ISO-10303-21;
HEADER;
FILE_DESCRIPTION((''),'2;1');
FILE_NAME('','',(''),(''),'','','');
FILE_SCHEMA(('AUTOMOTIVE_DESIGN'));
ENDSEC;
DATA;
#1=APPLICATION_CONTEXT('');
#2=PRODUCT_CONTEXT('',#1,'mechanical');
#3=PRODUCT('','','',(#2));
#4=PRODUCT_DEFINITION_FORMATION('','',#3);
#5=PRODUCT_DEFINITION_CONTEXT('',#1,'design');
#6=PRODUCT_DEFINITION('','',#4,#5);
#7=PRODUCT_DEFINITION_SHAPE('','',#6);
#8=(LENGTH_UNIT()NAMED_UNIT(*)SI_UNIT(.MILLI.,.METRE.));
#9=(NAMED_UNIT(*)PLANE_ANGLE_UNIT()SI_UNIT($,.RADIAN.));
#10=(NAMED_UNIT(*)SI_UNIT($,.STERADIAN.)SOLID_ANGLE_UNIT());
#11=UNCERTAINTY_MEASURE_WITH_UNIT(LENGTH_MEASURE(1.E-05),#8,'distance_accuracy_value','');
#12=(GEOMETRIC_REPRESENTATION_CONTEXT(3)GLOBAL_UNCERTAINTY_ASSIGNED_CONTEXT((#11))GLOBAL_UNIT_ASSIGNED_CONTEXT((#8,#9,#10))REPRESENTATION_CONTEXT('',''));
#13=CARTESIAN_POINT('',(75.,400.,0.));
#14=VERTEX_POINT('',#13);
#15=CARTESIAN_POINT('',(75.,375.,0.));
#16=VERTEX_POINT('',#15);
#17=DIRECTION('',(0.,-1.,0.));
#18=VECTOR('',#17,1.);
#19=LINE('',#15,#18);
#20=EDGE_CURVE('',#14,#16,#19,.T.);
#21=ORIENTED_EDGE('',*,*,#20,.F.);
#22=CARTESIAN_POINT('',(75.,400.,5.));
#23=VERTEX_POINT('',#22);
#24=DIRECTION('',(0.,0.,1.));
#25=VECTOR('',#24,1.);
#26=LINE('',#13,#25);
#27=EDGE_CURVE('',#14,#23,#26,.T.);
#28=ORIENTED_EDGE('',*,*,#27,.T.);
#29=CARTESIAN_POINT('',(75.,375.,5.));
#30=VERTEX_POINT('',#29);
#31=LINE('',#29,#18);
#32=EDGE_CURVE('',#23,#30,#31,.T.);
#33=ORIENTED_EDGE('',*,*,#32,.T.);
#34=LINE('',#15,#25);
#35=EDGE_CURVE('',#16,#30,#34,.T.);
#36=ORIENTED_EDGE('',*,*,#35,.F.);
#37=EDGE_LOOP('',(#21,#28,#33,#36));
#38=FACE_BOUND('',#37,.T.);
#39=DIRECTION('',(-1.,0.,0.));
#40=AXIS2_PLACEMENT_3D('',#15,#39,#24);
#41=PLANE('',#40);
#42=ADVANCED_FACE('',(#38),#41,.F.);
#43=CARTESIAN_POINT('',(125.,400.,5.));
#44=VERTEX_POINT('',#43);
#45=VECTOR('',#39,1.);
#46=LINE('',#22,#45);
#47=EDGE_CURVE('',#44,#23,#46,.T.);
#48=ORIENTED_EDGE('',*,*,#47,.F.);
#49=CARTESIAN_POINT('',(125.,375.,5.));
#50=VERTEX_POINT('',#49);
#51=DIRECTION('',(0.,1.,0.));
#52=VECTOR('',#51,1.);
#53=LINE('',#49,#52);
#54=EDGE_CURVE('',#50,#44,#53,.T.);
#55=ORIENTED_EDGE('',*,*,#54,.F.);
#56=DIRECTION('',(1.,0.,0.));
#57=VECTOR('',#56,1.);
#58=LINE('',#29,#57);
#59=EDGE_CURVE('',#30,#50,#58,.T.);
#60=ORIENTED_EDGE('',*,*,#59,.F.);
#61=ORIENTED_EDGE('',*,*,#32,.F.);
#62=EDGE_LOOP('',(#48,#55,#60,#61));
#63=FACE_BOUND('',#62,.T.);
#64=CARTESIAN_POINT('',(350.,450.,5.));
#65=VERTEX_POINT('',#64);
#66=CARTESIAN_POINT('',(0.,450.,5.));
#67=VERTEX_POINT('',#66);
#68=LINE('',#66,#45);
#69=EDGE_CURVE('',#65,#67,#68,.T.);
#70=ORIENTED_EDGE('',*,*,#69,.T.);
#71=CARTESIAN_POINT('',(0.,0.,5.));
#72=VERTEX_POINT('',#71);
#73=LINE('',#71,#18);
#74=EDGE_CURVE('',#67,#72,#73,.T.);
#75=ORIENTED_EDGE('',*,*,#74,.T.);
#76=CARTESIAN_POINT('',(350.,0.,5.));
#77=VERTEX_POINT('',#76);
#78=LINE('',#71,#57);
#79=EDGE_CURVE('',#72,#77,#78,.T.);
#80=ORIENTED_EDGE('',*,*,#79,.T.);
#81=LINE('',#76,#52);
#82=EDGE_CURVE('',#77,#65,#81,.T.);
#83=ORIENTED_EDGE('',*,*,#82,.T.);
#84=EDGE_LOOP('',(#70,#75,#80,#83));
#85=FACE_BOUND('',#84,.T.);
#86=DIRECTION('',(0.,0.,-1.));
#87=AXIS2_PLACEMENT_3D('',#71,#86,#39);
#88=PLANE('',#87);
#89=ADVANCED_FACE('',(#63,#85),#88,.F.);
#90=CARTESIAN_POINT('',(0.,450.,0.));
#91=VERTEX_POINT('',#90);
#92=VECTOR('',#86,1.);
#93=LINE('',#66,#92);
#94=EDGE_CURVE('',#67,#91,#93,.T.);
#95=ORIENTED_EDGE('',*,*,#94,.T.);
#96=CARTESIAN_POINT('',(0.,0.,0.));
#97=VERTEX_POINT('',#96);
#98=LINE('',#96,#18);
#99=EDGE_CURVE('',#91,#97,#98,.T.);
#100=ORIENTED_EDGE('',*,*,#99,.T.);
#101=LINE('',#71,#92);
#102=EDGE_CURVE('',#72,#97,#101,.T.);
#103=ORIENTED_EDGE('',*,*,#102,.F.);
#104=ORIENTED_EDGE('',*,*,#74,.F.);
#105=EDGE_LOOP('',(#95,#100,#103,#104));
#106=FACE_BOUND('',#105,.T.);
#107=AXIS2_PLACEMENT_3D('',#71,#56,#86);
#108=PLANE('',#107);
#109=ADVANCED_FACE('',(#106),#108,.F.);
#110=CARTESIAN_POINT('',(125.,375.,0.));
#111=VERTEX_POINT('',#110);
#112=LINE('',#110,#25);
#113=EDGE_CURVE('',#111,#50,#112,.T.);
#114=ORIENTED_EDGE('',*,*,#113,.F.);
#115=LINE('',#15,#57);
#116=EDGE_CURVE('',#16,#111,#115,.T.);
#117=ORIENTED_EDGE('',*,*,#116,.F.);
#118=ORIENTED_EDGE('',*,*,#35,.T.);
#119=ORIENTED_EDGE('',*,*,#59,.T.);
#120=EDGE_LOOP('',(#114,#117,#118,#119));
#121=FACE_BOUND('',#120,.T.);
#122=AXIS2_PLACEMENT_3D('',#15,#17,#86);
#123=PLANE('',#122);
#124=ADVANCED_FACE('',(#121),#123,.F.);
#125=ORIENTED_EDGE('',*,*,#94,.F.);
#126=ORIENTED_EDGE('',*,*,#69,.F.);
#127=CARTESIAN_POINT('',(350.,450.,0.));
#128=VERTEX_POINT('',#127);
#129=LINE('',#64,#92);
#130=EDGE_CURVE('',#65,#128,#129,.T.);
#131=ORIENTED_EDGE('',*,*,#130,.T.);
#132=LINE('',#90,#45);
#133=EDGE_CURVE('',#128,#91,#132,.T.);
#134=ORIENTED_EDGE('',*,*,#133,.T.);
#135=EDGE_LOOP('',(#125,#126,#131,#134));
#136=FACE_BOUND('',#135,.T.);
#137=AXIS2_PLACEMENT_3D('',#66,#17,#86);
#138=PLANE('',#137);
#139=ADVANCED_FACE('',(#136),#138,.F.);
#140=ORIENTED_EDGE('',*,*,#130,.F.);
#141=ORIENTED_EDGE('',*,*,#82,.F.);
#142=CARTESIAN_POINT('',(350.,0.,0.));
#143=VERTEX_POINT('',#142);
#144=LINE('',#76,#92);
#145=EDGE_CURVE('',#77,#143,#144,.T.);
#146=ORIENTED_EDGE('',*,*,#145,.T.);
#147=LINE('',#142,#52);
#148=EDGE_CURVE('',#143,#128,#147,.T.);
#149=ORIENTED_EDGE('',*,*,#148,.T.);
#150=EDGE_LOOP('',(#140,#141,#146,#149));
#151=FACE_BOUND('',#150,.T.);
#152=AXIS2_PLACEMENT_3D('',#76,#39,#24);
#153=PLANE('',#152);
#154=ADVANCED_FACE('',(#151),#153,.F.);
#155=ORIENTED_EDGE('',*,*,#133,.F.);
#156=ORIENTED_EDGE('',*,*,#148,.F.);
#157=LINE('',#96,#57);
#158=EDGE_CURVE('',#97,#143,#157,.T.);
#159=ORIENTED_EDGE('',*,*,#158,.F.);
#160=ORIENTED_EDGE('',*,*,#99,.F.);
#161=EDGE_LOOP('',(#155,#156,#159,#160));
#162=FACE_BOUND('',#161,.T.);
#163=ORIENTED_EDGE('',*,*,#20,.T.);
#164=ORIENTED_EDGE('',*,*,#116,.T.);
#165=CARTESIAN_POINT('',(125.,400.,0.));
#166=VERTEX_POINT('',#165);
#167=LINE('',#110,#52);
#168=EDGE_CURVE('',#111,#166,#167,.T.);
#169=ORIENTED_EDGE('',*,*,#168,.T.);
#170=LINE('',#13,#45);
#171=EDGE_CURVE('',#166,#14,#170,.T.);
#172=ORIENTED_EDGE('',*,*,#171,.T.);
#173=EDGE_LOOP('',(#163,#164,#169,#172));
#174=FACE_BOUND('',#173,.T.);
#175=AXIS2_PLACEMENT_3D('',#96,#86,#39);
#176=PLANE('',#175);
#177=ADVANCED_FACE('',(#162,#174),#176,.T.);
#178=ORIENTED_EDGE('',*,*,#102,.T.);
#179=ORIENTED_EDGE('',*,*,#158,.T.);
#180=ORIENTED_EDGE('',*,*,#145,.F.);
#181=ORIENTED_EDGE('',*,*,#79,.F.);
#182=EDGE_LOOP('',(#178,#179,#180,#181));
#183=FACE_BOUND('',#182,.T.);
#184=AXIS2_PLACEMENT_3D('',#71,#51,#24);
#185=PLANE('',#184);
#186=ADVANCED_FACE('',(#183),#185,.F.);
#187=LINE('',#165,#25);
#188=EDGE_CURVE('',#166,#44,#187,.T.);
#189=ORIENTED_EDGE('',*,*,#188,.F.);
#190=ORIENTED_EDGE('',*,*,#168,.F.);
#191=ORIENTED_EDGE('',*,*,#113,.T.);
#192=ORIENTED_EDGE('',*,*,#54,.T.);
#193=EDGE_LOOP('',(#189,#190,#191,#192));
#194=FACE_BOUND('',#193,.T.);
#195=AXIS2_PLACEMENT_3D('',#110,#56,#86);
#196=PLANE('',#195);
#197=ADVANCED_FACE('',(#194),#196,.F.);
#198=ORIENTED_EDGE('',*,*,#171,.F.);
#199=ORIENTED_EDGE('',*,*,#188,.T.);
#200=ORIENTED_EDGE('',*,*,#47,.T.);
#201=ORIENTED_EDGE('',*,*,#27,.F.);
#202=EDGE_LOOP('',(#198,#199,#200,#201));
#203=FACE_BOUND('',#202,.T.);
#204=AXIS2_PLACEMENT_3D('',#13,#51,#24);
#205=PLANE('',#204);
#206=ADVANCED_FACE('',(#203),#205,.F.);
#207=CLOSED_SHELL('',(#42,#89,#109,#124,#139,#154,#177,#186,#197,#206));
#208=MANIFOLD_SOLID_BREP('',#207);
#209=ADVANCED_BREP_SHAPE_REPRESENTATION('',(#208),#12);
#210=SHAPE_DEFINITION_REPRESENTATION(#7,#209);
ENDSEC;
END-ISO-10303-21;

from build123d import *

# Parameters (mm, degrees)
SKETCH1_W           = 350
SKETCH1_H           = 450
BOSS_EXTRUDE1_DEPTH = 5
SKETCH2_W           = 50
SKETCH2_H           = 25
CUT_EXTRUDE1_DEPTH  = 571.109638578


with BuildPart() as part:
    # Sketch1 → Boss-Extrude1 (new body)
    with BuildSketch(Plane.XY):
        with Locations((175, 225)):
            Rectangle(SKETCH1_W, SKETCH1_H)
    extrude(amount=BOSS_EXTRUDE1_DEPTH)

    # Sketch2 → Cut-Extrude1 (cut, through all)
    with BuildSketch(Plane.XY.offset(5)):
        with Locations((100, 387.5)):
            Rectangle(SKETCH2_W, SKETCH2_H)
    extrude(amount=-CUT_EXTRUDE1_DEPTH, mode=Mode.SUBTRACT)


solid = part.part
